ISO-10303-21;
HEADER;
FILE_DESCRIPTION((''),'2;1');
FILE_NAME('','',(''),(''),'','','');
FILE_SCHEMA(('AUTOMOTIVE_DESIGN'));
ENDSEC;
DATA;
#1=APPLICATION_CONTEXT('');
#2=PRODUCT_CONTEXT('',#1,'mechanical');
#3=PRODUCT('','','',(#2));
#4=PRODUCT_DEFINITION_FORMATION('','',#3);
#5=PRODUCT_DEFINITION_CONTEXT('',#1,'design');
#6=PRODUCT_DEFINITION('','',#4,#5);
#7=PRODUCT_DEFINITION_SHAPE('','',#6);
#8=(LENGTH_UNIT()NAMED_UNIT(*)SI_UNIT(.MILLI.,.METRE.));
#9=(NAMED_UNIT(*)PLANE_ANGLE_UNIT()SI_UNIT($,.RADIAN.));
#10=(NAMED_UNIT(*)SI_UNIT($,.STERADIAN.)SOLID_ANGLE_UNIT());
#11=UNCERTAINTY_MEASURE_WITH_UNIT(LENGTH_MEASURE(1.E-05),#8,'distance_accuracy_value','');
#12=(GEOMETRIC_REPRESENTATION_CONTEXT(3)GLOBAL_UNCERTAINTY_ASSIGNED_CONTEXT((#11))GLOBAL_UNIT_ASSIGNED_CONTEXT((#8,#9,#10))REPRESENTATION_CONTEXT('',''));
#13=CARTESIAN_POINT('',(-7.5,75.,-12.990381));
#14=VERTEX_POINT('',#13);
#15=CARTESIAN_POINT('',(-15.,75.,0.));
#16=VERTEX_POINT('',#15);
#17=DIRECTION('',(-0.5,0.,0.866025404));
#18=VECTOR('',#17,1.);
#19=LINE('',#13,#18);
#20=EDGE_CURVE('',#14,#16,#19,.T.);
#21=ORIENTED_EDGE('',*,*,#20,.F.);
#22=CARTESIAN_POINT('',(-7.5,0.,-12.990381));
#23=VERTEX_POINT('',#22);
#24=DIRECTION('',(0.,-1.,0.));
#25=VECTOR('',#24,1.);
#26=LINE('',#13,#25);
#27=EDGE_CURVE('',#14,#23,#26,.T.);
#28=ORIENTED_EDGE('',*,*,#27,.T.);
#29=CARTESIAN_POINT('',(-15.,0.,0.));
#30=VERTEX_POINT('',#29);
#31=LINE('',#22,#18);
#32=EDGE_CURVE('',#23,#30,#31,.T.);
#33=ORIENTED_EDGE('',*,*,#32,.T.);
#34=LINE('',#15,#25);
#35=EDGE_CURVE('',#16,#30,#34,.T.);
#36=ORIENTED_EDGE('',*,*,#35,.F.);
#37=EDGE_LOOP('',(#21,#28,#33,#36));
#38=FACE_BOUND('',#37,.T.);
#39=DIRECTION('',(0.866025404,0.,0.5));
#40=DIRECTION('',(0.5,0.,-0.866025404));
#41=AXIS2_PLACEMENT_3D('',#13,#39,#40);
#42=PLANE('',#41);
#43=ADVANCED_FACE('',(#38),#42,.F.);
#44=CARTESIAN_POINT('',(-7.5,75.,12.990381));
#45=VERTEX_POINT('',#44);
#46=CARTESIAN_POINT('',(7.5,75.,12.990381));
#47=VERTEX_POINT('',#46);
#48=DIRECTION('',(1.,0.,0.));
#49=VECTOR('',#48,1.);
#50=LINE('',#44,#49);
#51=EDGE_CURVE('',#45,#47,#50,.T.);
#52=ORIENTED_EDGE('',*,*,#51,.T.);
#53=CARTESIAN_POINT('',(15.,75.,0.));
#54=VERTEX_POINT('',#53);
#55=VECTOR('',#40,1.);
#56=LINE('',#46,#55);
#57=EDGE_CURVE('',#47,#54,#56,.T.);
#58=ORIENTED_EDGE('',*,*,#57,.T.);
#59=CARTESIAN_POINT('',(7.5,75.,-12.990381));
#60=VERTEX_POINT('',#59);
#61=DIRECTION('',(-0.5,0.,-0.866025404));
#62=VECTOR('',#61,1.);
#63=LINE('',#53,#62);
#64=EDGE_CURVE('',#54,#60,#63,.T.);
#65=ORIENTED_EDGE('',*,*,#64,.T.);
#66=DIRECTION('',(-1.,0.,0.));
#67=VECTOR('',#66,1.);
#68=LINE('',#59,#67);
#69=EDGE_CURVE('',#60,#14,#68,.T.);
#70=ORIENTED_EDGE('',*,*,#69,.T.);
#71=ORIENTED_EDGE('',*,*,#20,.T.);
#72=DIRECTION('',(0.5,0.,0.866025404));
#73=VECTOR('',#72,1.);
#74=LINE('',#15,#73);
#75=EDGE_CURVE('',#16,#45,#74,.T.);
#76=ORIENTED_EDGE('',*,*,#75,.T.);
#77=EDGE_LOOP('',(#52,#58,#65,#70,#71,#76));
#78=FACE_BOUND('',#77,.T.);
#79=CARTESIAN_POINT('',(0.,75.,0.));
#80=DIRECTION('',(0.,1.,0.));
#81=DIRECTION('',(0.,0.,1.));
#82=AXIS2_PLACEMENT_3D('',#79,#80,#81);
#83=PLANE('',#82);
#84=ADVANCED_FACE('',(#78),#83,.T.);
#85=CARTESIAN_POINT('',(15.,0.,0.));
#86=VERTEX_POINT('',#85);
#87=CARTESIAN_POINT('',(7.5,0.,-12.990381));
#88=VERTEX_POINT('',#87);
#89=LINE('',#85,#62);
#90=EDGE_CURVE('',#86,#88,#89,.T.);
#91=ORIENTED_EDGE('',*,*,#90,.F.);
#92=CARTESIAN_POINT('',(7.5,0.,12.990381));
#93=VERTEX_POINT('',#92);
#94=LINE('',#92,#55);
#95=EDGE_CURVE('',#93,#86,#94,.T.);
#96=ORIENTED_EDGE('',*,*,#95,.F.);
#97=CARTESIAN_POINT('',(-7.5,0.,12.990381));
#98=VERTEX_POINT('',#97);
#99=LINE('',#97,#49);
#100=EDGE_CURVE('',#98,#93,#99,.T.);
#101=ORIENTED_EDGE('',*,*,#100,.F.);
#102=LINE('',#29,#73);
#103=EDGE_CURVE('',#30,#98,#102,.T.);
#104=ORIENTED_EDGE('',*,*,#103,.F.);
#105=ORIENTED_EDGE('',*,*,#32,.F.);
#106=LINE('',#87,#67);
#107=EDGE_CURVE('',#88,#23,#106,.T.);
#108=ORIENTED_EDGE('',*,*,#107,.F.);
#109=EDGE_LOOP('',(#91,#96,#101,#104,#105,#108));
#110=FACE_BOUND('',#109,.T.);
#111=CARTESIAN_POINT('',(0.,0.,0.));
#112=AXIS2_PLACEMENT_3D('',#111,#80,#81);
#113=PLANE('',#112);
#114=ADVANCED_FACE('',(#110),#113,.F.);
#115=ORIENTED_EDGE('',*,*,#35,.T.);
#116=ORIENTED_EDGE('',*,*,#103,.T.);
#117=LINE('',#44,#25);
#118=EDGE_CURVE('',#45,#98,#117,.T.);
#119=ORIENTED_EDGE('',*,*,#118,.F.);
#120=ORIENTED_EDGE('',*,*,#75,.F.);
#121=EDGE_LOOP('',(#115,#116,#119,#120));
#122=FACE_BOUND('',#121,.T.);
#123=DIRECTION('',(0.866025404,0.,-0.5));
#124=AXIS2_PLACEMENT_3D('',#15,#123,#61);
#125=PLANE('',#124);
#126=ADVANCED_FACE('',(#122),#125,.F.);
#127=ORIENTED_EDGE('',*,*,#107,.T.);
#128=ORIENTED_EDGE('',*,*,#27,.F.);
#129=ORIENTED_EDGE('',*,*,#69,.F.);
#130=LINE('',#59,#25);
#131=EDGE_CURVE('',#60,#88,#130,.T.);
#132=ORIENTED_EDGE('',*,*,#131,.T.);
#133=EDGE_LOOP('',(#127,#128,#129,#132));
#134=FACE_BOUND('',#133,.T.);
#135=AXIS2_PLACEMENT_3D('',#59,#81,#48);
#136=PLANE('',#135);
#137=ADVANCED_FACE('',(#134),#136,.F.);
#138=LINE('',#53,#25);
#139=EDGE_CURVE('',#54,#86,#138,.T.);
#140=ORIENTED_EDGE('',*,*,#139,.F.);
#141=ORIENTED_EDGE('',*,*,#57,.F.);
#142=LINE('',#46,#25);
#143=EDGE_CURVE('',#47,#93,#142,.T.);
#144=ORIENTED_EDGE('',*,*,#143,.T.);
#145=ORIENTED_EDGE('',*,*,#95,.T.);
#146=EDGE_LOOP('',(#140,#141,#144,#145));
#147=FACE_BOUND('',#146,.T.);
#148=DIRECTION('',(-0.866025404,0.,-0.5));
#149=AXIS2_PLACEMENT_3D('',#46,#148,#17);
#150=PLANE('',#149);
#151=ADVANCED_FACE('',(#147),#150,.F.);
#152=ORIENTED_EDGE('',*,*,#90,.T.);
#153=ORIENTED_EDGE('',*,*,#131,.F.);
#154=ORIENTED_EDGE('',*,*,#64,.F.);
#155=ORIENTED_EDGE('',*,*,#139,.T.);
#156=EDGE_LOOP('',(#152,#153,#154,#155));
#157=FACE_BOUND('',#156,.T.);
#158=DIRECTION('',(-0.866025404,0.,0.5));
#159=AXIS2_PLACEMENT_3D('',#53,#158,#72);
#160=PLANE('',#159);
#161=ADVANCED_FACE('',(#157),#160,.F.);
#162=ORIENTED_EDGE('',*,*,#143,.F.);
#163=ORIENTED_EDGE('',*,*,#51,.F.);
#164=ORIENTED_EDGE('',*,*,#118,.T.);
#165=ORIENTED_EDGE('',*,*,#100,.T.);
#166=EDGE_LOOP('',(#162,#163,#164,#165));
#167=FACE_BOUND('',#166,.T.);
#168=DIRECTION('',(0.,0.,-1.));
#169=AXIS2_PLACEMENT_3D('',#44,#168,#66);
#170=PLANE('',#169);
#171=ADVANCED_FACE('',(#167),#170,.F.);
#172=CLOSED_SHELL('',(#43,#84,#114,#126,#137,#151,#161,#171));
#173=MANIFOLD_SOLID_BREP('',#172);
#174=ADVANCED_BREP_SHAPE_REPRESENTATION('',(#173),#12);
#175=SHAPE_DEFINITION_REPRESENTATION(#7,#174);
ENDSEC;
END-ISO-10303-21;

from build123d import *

# Parameters (mm, degrees)
EXTRUDE_1_DEPTH = 75


with BuildPart() as part:
    # 草图1 → 凸台-拉伸1 (new body)
    with BuildSketch(Plane(origin=(0, 0, 0), x_dir=(1, 0, 0), z_dir=(0, 1, 0))):
        Polygon((15, 0), (7.5, 12.990381057), (-7.5, 12.990381057), (-15, 0), (-7.5, -12.990381057), (7.5, -12.990381057), align=None)
    extrude(amount=EXTRUDE_1_DEPTH)


solid = part.part
